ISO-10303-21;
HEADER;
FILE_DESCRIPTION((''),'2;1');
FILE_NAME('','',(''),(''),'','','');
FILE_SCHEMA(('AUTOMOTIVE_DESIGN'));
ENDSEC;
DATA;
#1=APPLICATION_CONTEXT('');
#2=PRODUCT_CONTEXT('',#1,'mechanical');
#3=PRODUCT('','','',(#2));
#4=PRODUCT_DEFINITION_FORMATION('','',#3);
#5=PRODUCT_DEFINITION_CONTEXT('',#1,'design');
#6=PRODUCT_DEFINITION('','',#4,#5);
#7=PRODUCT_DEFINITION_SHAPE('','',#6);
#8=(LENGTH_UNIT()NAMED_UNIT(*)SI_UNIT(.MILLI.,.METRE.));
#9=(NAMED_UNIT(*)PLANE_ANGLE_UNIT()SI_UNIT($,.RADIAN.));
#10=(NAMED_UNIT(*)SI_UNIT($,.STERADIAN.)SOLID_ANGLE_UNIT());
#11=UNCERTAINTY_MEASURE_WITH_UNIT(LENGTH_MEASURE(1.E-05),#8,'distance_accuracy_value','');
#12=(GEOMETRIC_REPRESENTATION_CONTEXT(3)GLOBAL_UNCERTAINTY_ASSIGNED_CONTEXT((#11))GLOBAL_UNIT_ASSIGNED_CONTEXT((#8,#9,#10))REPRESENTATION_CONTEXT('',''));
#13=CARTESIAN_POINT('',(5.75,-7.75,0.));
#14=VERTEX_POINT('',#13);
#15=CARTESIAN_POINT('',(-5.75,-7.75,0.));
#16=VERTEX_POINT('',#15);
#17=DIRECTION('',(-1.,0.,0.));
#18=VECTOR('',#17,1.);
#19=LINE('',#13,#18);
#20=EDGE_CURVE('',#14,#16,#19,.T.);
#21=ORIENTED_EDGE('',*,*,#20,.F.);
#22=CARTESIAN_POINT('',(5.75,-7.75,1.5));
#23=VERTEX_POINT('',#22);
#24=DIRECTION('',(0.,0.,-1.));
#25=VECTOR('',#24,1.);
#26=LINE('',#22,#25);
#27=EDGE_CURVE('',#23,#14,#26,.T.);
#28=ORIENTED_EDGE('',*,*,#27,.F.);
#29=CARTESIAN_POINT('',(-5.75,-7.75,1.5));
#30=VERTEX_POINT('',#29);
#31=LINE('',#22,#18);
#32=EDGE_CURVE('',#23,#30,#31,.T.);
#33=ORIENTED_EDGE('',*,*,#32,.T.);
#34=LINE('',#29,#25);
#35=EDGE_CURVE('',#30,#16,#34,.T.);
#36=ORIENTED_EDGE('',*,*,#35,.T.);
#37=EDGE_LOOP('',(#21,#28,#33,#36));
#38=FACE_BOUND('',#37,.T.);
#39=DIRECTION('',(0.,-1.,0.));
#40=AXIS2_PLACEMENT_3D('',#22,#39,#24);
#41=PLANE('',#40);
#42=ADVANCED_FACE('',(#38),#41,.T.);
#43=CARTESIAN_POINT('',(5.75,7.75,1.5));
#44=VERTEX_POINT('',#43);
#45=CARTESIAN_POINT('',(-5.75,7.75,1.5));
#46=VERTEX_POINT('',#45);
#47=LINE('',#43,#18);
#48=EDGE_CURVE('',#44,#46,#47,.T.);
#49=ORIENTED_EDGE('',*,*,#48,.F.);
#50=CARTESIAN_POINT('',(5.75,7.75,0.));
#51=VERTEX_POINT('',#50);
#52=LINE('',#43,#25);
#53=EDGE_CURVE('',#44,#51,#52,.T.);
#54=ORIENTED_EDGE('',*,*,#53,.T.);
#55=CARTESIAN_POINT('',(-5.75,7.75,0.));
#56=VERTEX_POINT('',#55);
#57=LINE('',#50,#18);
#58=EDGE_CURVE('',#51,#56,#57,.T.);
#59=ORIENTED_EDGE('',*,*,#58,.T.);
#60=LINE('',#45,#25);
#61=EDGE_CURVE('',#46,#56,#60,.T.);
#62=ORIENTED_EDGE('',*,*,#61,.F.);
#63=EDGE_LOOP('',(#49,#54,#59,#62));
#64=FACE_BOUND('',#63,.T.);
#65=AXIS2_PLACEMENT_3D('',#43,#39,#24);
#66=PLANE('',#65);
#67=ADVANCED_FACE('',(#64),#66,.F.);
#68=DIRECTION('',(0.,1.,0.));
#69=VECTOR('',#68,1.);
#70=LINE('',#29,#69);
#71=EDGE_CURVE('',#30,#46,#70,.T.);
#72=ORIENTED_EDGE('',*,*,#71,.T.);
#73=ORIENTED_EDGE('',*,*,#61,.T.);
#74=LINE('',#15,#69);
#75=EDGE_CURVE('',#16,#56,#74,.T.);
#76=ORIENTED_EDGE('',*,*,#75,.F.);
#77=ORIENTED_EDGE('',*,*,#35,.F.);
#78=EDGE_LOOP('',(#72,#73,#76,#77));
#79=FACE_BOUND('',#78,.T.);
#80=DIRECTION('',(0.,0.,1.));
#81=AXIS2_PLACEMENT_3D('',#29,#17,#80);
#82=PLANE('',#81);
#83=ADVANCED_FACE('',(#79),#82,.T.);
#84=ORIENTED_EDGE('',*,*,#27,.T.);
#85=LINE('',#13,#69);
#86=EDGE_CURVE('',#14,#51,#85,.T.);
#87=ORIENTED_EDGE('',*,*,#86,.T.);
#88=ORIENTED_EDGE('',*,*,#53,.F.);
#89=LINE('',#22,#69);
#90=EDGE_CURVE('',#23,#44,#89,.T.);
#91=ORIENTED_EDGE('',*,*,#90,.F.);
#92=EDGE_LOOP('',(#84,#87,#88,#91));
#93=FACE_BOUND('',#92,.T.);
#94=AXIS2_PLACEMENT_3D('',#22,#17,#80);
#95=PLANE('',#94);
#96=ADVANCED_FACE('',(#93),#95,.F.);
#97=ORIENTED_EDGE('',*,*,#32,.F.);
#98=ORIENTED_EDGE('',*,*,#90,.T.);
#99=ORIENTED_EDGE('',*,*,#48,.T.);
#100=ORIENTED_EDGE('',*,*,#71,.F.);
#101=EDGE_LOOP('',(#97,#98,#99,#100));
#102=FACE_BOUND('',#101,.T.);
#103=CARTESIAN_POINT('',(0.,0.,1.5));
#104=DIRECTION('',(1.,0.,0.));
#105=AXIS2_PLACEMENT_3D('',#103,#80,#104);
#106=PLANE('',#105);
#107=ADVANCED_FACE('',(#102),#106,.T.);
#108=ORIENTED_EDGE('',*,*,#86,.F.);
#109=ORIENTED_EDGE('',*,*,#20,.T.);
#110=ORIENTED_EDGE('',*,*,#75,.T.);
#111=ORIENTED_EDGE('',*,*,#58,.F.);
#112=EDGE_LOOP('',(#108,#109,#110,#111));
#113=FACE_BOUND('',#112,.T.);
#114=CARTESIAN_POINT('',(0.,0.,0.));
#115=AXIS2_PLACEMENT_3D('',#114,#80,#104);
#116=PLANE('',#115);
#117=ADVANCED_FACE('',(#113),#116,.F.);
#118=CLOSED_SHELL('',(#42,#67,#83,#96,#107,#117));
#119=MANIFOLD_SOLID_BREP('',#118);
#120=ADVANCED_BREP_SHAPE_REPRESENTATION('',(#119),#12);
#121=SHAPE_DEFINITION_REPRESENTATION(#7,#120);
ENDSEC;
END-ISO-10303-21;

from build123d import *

# Parameters (mm, degrees)
SKICA1_W                = 11.5
SKICA1_H                = 15.5
P_IDAT_VYSUNUT_M2_DEPTH = 1.5


with BuildPart() as part:
    # Skica1 → Přidat vysunutím2 (new body)
    with BuildSketch(Plane.XY):
        Rectangle(SKICA1_W, SKICA1_H)
    extrude(amount=P_IDAT_VYSUNUT_M2_DEPTH)


solid = part.part
